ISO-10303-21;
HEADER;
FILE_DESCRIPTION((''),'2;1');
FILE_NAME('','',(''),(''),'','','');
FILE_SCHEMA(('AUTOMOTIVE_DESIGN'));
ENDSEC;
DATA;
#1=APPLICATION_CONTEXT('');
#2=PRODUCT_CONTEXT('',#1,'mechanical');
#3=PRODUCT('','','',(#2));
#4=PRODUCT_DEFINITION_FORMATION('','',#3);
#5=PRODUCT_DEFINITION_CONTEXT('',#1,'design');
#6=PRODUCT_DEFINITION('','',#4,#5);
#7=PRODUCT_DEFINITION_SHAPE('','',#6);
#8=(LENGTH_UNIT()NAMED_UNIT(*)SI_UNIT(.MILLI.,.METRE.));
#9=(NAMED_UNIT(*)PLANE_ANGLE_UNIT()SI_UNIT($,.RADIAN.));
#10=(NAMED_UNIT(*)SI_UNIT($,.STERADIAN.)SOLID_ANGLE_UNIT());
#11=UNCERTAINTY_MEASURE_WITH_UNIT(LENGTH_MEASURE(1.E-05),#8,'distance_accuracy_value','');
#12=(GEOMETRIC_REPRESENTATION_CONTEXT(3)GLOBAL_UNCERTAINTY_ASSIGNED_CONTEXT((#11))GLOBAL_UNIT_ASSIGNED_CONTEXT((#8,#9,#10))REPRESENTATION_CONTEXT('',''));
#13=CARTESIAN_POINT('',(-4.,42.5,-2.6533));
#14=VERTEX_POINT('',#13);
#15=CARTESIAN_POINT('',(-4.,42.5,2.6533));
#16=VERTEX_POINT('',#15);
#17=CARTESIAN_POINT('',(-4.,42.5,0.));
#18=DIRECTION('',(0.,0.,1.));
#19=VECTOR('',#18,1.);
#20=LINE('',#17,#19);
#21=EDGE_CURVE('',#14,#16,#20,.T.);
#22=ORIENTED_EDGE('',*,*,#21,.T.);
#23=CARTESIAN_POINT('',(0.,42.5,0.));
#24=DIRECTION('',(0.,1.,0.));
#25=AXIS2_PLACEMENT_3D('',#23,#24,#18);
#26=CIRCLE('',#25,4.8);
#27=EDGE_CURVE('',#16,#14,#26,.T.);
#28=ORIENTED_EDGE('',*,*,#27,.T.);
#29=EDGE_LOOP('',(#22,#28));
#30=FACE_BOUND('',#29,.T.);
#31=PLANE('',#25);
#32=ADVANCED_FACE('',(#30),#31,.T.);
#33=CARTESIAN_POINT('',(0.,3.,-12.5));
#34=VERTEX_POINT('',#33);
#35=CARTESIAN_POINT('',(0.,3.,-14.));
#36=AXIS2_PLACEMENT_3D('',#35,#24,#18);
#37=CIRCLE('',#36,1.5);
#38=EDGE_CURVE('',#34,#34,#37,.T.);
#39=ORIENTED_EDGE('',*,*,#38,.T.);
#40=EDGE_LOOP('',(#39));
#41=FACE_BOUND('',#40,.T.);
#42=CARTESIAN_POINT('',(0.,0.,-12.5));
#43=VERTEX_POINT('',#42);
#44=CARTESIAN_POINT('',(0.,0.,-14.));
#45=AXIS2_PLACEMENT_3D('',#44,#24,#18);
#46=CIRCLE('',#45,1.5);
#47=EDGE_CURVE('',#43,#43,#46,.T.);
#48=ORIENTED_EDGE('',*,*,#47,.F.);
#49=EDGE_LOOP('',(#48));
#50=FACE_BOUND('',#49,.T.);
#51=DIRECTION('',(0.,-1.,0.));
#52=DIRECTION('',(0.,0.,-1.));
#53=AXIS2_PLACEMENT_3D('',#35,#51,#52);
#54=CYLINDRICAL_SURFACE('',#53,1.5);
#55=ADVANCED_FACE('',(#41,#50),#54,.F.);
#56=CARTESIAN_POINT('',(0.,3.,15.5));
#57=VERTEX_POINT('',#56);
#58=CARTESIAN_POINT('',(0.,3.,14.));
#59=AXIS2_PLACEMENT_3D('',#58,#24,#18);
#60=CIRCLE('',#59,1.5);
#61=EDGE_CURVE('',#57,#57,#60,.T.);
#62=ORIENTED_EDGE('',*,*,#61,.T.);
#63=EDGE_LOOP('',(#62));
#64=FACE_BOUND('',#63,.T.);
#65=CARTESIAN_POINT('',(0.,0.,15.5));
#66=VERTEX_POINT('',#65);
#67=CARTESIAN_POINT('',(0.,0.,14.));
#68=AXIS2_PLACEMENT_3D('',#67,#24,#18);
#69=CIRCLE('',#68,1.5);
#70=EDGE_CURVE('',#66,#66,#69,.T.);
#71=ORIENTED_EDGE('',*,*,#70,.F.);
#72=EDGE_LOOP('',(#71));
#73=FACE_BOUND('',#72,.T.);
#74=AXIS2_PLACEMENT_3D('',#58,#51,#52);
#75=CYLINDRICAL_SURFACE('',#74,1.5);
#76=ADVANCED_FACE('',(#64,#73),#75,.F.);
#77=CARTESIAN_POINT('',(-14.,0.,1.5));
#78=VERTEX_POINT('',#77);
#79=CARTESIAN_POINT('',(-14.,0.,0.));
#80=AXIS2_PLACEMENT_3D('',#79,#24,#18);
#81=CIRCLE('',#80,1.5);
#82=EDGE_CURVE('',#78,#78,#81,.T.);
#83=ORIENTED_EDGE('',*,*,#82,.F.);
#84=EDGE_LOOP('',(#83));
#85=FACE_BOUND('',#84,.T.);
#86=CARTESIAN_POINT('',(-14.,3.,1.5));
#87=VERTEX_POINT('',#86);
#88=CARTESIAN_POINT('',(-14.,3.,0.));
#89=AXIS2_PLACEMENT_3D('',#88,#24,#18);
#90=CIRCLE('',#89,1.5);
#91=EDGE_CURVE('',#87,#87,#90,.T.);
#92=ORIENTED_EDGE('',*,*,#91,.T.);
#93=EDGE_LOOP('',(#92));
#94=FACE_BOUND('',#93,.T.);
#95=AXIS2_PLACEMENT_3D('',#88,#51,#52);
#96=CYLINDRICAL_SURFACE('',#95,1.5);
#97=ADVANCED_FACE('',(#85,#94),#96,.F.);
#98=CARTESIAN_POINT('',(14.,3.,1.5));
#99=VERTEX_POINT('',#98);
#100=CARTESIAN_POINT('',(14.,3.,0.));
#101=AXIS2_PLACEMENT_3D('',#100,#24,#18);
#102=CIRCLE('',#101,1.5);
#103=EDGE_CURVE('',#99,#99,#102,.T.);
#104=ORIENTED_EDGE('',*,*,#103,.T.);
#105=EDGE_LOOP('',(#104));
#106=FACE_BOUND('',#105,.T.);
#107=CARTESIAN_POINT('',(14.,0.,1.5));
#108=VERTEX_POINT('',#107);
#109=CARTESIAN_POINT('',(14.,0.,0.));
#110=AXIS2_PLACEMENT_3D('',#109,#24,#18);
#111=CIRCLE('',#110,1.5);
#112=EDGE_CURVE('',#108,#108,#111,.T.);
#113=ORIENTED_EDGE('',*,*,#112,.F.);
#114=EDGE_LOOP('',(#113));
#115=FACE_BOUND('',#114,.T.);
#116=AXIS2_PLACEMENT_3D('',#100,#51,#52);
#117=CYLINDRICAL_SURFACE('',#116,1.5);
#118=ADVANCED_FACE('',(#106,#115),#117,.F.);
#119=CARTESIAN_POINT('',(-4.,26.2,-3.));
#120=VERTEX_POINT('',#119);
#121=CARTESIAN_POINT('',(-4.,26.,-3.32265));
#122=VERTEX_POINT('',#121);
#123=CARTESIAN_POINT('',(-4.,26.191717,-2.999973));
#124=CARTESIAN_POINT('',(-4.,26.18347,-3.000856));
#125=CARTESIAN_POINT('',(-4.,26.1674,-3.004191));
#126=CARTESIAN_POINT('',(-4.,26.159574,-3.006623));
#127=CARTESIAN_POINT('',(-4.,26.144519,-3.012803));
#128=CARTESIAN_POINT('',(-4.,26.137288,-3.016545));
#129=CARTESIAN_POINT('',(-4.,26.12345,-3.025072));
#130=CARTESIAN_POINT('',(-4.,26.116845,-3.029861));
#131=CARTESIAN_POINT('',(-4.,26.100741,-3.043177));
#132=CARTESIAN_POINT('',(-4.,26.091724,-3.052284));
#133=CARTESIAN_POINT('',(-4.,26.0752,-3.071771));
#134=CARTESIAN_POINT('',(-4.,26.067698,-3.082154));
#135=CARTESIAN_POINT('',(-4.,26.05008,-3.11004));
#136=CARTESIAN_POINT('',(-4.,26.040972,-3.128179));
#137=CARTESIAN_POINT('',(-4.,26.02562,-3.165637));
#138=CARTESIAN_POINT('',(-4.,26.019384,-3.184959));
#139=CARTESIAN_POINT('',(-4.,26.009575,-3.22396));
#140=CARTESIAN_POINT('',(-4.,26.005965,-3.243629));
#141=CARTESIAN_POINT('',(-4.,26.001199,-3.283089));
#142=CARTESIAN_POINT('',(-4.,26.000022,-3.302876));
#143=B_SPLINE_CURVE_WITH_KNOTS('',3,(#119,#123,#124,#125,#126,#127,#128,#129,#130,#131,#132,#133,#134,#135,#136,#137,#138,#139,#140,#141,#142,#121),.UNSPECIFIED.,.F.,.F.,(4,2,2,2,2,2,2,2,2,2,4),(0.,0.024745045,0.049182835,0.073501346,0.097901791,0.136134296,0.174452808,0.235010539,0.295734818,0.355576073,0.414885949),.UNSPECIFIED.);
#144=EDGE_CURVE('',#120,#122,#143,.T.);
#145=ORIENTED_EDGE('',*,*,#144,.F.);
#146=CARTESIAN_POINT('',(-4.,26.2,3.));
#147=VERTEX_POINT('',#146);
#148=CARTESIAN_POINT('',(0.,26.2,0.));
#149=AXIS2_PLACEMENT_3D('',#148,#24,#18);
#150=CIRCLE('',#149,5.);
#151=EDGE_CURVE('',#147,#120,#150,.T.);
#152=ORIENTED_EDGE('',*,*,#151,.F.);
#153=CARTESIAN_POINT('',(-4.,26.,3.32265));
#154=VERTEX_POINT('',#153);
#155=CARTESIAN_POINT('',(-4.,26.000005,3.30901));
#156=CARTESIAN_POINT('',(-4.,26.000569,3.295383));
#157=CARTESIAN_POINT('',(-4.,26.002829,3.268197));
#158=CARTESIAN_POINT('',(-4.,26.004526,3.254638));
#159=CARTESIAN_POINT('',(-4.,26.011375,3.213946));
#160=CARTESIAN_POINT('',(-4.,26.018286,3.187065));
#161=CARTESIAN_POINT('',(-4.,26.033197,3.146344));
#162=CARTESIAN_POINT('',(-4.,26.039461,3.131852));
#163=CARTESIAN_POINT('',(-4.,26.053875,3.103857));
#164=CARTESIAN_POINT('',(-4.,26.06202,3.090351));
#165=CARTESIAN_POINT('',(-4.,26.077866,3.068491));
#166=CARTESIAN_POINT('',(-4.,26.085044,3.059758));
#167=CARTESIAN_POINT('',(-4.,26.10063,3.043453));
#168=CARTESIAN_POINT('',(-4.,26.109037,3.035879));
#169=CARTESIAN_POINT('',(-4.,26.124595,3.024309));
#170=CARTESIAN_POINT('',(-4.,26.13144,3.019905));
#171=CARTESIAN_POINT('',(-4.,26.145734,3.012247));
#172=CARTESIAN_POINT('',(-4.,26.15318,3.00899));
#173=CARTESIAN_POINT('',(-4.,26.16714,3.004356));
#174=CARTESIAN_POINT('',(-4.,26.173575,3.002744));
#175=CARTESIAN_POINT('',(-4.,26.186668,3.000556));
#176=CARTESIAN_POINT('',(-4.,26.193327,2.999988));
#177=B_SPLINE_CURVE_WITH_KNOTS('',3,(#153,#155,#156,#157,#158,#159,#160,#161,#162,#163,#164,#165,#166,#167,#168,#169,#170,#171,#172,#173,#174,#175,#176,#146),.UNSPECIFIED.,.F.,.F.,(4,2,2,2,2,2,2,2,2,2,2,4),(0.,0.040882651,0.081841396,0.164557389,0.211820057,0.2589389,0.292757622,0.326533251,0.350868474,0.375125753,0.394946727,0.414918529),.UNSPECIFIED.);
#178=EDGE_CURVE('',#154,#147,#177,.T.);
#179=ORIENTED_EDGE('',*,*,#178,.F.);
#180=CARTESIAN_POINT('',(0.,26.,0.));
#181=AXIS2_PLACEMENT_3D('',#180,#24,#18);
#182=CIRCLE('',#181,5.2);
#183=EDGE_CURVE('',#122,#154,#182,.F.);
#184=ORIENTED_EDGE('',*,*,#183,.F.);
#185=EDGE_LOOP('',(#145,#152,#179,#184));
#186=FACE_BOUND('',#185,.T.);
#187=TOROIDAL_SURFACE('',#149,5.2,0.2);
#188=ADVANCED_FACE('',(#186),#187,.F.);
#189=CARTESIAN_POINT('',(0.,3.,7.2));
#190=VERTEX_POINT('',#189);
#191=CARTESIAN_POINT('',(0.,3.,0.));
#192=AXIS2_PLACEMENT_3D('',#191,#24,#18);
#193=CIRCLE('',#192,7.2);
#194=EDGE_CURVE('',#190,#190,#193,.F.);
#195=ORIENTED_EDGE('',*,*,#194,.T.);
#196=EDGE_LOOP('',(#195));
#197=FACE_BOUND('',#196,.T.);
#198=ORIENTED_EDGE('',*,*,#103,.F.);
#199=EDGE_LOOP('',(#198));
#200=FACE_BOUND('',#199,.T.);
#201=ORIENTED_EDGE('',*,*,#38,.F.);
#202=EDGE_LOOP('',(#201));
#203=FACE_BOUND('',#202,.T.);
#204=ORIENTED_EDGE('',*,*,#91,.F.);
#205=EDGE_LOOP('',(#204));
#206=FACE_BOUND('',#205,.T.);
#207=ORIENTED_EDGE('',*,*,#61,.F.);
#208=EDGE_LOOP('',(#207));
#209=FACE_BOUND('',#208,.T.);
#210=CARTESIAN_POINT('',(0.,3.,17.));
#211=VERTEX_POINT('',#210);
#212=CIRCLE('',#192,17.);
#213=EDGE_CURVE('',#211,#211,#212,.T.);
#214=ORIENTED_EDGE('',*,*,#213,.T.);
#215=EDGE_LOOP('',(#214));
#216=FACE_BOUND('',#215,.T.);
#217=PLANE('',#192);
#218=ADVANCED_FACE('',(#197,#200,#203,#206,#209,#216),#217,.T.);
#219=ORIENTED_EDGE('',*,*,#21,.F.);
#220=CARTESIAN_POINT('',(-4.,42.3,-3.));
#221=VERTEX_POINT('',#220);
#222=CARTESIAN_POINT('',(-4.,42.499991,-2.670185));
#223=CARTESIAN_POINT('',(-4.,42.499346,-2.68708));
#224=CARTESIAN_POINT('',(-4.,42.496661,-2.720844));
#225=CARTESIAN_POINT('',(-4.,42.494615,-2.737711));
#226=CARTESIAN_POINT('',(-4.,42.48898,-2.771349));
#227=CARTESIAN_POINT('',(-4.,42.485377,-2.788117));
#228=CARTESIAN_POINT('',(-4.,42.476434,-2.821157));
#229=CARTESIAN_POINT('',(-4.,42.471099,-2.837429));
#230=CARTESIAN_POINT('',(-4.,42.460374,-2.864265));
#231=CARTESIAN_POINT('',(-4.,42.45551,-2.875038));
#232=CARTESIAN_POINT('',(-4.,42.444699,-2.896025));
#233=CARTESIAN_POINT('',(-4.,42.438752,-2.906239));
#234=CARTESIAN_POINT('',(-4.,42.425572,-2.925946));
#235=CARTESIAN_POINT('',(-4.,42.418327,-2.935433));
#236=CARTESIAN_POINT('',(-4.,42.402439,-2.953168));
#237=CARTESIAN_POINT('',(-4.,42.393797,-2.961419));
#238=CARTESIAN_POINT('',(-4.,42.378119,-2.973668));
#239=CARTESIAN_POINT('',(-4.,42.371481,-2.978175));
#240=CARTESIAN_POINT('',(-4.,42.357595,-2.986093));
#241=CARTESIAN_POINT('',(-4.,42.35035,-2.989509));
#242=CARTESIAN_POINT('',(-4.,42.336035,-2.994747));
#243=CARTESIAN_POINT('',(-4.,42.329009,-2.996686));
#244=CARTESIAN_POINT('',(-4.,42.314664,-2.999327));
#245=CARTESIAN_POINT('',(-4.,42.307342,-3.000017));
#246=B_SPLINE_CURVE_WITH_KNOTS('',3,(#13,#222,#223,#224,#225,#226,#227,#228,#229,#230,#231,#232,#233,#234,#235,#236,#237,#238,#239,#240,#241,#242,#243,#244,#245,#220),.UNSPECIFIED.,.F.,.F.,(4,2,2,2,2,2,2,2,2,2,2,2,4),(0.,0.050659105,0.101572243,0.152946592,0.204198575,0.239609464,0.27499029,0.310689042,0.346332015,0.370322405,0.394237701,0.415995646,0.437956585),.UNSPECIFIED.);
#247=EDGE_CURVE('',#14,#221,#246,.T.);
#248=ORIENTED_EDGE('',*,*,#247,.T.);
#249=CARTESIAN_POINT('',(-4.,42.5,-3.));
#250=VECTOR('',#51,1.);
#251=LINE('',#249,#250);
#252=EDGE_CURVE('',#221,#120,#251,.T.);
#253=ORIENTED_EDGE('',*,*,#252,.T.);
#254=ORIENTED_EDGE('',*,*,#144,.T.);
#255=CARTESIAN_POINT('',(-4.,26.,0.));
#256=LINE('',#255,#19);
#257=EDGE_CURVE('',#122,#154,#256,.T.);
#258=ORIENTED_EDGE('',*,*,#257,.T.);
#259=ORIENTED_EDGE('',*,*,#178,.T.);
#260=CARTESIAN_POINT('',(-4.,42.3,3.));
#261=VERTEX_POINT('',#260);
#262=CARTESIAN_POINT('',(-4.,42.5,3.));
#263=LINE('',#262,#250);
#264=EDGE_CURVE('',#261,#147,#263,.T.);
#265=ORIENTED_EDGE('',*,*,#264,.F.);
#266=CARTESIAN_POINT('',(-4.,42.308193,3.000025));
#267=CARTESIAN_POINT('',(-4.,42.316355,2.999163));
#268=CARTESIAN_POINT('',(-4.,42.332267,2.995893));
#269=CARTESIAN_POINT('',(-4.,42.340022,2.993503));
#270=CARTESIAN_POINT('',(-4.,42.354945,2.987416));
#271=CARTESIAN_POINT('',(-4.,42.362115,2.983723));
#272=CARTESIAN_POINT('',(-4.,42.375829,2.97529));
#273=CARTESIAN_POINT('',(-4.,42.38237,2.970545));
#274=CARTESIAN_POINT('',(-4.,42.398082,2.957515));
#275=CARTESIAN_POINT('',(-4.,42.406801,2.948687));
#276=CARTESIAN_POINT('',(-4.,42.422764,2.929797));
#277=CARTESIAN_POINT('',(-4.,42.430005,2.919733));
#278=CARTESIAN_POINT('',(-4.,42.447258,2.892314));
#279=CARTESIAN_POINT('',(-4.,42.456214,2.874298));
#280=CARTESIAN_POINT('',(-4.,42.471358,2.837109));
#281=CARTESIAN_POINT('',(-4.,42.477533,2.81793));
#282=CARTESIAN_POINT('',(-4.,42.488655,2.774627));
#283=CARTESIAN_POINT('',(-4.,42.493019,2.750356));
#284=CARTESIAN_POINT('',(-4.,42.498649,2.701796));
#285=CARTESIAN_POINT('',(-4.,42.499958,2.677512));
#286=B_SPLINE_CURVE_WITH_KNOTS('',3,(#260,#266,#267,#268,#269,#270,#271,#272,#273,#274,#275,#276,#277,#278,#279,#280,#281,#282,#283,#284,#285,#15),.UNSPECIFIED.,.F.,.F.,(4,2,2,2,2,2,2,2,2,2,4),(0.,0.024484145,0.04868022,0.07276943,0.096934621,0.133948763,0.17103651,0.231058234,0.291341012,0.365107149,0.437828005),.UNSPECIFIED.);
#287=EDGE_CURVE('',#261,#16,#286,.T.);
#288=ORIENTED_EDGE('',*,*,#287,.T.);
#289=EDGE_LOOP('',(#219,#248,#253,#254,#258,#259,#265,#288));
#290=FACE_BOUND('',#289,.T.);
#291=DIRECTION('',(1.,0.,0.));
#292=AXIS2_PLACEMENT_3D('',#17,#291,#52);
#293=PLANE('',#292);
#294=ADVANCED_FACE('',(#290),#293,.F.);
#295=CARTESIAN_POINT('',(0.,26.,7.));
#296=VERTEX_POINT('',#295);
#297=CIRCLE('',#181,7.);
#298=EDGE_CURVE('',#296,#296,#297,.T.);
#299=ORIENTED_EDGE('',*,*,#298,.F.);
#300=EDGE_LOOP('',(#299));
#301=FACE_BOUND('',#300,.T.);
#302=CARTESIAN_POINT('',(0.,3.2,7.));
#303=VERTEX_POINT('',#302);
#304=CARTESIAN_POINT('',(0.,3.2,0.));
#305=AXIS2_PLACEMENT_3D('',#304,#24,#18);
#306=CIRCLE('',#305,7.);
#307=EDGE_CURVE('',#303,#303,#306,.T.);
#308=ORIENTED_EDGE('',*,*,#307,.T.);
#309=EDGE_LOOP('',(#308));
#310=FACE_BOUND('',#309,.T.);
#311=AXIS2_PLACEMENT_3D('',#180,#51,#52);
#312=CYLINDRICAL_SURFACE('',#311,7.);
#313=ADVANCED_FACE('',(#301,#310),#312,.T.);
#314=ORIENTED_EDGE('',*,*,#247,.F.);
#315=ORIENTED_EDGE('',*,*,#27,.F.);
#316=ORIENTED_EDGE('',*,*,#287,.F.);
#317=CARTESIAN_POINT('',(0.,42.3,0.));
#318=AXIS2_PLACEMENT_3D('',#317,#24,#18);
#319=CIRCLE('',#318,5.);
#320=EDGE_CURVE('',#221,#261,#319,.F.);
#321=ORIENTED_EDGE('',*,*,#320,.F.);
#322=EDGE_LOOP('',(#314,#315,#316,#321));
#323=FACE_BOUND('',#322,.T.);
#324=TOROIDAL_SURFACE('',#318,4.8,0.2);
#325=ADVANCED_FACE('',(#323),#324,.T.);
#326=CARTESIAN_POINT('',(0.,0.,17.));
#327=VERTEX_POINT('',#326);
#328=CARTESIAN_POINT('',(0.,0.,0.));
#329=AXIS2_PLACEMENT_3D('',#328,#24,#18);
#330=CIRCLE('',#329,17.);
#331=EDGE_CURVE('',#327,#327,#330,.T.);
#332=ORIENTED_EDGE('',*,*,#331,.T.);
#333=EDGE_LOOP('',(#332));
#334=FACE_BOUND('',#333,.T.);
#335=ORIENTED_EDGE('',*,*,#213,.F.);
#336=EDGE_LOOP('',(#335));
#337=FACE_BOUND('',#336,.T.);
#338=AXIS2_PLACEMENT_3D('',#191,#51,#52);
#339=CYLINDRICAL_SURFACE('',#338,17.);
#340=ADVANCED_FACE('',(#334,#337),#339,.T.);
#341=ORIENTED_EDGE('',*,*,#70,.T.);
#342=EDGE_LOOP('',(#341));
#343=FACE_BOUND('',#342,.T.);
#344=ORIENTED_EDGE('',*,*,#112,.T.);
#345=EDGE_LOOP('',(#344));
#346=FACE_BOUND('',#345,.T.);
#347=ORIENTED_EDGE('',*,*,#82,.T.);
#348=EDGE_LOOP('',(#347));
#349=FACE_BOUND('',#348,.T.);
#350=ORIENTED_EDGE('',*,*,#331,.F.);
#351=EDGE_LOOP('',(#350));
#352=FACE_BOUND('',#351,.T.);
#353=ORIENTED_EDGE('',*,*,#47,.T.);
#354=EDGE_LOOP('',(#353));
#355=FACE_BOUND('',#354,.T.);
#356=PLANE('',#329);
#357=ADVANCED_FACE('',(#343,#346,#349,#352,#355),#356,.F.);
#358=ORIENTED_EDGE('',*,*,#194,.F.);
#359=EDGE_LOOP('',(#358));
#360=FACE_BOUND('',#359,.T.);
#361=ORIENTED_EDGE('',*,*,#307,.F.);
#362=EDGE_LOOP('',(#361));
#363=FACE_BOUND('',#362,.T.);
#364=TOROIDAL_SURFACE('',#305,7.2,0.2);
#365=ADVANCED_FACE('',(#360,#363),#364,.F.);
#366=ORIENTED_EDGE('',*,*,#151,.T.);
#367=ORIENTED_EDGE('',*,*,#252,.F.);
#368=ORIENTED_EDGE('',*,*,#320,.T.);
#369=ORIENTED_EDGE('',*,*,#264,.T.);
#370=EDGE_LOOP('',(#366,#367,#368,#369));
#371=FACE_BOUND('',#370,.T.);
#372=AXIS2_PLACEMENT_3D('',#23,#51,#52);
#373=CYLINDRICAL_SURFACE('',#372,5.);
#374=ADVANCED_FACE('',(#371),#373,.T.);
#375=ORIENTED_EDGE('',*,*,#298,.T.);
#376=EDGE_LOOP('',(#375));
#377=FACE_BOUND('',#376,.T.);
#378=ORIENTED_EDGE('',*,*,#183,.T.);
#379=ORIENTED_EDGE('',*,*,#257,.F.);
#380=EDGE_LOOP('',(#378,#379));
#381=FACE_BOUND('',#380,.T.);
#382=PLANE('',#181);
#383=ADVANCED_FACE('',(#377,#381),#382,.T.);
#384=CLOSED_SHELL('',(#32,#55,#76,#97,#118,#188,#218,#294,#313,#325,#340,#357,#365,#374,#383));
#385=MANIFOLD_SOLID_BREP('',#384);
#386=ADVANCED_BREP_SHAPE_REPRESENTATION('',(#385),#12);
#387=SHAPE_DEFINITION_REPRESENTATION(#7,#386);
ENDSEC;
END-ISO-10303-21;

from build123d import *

# Parameters (mm, degrees)
SKETCH_1_R      = 17
SKETCH_1_R_2    = 1.5
EXTRUDE_1_DEPTH = 3
SKETCH_2_R      = 7
EXTRUDE_2_DEPTH = 23
EXTRUDE_3_DEPTH = 16.5
FILLET_1_R      = 0.2


with BuildPart() as part:
    # 草图1 → 凸台-拉伸1 (new body)
    with BuildSketch(Plane(origin=(0, 0, 0), x_dir=(1, 0, 0), z_dir=(0, 1, 0))):
        with Locations(Location((0, 0, 0), (0, 0, 270))):
            Circle(SKETCH_1_R)
        with Locations(Location((0, 14, 0), (0, 0, 270))):
            Circle(SKETCH_1_R_2, mode=Mode.SUBTRACT)
        with Locations(Location((14, 0, 0), (0, 0, 270))):
            Circle(SKETCH_1_R_2, mode=Mode.SUBTRACT)
        with Locations(Location((0, -14, 0), (0, 0, 270))):
            Circle(SKETCH_1_R_2, mode=Mode.SUBTRACT)
        with Locations(Location((-14, 0, 0), (0, 0, 270))):
            Circle(SKETCH_1_R_2, mode=Mode.SUBTRACT)
    extrude(amount=EXTRUDE_1_DEPTH)

    # 草图2 → 凸台-拉伸2 (add)
    with BuildSketch(Plane(origin=(0, 3, 0), x_dir=(1, 0, 0), z_dir=(0, 1, 0))):
        with Locations(Location((0, 0, 0), (0, 0, 270))):
            Circle(SKETCH_2_R)
    extrude(amount=EXTRUDE_2_DEPTH)

    # 草图3 → 凸台-拉伸3 (add)
    with BuildSketch(Plane(origin=(0, 26, 0), x_dir=(1, 0, 0), z_dir=(0, 1, 0))):
        with BuildLine():
            Line((-4, 0), (-4, 3))
            ThreePointArc((-4, 3), (5, 0), (-4, -3))
            Line((-4, -3), (-4, 0))
        make_face()
    extrude(amount=EXTRUDE_3_DEPTH)

    # 圆角1
    fillet_1_edges = [part.edges().sort_by_distance(p)[0] for p in [
        (0, 3, -7),
        (5, 26, 0),
        (5, 42.5, 0),
    ]]
    fillet(fillet_1_edges, radius=FILLET_1_R)


solid = part.part
